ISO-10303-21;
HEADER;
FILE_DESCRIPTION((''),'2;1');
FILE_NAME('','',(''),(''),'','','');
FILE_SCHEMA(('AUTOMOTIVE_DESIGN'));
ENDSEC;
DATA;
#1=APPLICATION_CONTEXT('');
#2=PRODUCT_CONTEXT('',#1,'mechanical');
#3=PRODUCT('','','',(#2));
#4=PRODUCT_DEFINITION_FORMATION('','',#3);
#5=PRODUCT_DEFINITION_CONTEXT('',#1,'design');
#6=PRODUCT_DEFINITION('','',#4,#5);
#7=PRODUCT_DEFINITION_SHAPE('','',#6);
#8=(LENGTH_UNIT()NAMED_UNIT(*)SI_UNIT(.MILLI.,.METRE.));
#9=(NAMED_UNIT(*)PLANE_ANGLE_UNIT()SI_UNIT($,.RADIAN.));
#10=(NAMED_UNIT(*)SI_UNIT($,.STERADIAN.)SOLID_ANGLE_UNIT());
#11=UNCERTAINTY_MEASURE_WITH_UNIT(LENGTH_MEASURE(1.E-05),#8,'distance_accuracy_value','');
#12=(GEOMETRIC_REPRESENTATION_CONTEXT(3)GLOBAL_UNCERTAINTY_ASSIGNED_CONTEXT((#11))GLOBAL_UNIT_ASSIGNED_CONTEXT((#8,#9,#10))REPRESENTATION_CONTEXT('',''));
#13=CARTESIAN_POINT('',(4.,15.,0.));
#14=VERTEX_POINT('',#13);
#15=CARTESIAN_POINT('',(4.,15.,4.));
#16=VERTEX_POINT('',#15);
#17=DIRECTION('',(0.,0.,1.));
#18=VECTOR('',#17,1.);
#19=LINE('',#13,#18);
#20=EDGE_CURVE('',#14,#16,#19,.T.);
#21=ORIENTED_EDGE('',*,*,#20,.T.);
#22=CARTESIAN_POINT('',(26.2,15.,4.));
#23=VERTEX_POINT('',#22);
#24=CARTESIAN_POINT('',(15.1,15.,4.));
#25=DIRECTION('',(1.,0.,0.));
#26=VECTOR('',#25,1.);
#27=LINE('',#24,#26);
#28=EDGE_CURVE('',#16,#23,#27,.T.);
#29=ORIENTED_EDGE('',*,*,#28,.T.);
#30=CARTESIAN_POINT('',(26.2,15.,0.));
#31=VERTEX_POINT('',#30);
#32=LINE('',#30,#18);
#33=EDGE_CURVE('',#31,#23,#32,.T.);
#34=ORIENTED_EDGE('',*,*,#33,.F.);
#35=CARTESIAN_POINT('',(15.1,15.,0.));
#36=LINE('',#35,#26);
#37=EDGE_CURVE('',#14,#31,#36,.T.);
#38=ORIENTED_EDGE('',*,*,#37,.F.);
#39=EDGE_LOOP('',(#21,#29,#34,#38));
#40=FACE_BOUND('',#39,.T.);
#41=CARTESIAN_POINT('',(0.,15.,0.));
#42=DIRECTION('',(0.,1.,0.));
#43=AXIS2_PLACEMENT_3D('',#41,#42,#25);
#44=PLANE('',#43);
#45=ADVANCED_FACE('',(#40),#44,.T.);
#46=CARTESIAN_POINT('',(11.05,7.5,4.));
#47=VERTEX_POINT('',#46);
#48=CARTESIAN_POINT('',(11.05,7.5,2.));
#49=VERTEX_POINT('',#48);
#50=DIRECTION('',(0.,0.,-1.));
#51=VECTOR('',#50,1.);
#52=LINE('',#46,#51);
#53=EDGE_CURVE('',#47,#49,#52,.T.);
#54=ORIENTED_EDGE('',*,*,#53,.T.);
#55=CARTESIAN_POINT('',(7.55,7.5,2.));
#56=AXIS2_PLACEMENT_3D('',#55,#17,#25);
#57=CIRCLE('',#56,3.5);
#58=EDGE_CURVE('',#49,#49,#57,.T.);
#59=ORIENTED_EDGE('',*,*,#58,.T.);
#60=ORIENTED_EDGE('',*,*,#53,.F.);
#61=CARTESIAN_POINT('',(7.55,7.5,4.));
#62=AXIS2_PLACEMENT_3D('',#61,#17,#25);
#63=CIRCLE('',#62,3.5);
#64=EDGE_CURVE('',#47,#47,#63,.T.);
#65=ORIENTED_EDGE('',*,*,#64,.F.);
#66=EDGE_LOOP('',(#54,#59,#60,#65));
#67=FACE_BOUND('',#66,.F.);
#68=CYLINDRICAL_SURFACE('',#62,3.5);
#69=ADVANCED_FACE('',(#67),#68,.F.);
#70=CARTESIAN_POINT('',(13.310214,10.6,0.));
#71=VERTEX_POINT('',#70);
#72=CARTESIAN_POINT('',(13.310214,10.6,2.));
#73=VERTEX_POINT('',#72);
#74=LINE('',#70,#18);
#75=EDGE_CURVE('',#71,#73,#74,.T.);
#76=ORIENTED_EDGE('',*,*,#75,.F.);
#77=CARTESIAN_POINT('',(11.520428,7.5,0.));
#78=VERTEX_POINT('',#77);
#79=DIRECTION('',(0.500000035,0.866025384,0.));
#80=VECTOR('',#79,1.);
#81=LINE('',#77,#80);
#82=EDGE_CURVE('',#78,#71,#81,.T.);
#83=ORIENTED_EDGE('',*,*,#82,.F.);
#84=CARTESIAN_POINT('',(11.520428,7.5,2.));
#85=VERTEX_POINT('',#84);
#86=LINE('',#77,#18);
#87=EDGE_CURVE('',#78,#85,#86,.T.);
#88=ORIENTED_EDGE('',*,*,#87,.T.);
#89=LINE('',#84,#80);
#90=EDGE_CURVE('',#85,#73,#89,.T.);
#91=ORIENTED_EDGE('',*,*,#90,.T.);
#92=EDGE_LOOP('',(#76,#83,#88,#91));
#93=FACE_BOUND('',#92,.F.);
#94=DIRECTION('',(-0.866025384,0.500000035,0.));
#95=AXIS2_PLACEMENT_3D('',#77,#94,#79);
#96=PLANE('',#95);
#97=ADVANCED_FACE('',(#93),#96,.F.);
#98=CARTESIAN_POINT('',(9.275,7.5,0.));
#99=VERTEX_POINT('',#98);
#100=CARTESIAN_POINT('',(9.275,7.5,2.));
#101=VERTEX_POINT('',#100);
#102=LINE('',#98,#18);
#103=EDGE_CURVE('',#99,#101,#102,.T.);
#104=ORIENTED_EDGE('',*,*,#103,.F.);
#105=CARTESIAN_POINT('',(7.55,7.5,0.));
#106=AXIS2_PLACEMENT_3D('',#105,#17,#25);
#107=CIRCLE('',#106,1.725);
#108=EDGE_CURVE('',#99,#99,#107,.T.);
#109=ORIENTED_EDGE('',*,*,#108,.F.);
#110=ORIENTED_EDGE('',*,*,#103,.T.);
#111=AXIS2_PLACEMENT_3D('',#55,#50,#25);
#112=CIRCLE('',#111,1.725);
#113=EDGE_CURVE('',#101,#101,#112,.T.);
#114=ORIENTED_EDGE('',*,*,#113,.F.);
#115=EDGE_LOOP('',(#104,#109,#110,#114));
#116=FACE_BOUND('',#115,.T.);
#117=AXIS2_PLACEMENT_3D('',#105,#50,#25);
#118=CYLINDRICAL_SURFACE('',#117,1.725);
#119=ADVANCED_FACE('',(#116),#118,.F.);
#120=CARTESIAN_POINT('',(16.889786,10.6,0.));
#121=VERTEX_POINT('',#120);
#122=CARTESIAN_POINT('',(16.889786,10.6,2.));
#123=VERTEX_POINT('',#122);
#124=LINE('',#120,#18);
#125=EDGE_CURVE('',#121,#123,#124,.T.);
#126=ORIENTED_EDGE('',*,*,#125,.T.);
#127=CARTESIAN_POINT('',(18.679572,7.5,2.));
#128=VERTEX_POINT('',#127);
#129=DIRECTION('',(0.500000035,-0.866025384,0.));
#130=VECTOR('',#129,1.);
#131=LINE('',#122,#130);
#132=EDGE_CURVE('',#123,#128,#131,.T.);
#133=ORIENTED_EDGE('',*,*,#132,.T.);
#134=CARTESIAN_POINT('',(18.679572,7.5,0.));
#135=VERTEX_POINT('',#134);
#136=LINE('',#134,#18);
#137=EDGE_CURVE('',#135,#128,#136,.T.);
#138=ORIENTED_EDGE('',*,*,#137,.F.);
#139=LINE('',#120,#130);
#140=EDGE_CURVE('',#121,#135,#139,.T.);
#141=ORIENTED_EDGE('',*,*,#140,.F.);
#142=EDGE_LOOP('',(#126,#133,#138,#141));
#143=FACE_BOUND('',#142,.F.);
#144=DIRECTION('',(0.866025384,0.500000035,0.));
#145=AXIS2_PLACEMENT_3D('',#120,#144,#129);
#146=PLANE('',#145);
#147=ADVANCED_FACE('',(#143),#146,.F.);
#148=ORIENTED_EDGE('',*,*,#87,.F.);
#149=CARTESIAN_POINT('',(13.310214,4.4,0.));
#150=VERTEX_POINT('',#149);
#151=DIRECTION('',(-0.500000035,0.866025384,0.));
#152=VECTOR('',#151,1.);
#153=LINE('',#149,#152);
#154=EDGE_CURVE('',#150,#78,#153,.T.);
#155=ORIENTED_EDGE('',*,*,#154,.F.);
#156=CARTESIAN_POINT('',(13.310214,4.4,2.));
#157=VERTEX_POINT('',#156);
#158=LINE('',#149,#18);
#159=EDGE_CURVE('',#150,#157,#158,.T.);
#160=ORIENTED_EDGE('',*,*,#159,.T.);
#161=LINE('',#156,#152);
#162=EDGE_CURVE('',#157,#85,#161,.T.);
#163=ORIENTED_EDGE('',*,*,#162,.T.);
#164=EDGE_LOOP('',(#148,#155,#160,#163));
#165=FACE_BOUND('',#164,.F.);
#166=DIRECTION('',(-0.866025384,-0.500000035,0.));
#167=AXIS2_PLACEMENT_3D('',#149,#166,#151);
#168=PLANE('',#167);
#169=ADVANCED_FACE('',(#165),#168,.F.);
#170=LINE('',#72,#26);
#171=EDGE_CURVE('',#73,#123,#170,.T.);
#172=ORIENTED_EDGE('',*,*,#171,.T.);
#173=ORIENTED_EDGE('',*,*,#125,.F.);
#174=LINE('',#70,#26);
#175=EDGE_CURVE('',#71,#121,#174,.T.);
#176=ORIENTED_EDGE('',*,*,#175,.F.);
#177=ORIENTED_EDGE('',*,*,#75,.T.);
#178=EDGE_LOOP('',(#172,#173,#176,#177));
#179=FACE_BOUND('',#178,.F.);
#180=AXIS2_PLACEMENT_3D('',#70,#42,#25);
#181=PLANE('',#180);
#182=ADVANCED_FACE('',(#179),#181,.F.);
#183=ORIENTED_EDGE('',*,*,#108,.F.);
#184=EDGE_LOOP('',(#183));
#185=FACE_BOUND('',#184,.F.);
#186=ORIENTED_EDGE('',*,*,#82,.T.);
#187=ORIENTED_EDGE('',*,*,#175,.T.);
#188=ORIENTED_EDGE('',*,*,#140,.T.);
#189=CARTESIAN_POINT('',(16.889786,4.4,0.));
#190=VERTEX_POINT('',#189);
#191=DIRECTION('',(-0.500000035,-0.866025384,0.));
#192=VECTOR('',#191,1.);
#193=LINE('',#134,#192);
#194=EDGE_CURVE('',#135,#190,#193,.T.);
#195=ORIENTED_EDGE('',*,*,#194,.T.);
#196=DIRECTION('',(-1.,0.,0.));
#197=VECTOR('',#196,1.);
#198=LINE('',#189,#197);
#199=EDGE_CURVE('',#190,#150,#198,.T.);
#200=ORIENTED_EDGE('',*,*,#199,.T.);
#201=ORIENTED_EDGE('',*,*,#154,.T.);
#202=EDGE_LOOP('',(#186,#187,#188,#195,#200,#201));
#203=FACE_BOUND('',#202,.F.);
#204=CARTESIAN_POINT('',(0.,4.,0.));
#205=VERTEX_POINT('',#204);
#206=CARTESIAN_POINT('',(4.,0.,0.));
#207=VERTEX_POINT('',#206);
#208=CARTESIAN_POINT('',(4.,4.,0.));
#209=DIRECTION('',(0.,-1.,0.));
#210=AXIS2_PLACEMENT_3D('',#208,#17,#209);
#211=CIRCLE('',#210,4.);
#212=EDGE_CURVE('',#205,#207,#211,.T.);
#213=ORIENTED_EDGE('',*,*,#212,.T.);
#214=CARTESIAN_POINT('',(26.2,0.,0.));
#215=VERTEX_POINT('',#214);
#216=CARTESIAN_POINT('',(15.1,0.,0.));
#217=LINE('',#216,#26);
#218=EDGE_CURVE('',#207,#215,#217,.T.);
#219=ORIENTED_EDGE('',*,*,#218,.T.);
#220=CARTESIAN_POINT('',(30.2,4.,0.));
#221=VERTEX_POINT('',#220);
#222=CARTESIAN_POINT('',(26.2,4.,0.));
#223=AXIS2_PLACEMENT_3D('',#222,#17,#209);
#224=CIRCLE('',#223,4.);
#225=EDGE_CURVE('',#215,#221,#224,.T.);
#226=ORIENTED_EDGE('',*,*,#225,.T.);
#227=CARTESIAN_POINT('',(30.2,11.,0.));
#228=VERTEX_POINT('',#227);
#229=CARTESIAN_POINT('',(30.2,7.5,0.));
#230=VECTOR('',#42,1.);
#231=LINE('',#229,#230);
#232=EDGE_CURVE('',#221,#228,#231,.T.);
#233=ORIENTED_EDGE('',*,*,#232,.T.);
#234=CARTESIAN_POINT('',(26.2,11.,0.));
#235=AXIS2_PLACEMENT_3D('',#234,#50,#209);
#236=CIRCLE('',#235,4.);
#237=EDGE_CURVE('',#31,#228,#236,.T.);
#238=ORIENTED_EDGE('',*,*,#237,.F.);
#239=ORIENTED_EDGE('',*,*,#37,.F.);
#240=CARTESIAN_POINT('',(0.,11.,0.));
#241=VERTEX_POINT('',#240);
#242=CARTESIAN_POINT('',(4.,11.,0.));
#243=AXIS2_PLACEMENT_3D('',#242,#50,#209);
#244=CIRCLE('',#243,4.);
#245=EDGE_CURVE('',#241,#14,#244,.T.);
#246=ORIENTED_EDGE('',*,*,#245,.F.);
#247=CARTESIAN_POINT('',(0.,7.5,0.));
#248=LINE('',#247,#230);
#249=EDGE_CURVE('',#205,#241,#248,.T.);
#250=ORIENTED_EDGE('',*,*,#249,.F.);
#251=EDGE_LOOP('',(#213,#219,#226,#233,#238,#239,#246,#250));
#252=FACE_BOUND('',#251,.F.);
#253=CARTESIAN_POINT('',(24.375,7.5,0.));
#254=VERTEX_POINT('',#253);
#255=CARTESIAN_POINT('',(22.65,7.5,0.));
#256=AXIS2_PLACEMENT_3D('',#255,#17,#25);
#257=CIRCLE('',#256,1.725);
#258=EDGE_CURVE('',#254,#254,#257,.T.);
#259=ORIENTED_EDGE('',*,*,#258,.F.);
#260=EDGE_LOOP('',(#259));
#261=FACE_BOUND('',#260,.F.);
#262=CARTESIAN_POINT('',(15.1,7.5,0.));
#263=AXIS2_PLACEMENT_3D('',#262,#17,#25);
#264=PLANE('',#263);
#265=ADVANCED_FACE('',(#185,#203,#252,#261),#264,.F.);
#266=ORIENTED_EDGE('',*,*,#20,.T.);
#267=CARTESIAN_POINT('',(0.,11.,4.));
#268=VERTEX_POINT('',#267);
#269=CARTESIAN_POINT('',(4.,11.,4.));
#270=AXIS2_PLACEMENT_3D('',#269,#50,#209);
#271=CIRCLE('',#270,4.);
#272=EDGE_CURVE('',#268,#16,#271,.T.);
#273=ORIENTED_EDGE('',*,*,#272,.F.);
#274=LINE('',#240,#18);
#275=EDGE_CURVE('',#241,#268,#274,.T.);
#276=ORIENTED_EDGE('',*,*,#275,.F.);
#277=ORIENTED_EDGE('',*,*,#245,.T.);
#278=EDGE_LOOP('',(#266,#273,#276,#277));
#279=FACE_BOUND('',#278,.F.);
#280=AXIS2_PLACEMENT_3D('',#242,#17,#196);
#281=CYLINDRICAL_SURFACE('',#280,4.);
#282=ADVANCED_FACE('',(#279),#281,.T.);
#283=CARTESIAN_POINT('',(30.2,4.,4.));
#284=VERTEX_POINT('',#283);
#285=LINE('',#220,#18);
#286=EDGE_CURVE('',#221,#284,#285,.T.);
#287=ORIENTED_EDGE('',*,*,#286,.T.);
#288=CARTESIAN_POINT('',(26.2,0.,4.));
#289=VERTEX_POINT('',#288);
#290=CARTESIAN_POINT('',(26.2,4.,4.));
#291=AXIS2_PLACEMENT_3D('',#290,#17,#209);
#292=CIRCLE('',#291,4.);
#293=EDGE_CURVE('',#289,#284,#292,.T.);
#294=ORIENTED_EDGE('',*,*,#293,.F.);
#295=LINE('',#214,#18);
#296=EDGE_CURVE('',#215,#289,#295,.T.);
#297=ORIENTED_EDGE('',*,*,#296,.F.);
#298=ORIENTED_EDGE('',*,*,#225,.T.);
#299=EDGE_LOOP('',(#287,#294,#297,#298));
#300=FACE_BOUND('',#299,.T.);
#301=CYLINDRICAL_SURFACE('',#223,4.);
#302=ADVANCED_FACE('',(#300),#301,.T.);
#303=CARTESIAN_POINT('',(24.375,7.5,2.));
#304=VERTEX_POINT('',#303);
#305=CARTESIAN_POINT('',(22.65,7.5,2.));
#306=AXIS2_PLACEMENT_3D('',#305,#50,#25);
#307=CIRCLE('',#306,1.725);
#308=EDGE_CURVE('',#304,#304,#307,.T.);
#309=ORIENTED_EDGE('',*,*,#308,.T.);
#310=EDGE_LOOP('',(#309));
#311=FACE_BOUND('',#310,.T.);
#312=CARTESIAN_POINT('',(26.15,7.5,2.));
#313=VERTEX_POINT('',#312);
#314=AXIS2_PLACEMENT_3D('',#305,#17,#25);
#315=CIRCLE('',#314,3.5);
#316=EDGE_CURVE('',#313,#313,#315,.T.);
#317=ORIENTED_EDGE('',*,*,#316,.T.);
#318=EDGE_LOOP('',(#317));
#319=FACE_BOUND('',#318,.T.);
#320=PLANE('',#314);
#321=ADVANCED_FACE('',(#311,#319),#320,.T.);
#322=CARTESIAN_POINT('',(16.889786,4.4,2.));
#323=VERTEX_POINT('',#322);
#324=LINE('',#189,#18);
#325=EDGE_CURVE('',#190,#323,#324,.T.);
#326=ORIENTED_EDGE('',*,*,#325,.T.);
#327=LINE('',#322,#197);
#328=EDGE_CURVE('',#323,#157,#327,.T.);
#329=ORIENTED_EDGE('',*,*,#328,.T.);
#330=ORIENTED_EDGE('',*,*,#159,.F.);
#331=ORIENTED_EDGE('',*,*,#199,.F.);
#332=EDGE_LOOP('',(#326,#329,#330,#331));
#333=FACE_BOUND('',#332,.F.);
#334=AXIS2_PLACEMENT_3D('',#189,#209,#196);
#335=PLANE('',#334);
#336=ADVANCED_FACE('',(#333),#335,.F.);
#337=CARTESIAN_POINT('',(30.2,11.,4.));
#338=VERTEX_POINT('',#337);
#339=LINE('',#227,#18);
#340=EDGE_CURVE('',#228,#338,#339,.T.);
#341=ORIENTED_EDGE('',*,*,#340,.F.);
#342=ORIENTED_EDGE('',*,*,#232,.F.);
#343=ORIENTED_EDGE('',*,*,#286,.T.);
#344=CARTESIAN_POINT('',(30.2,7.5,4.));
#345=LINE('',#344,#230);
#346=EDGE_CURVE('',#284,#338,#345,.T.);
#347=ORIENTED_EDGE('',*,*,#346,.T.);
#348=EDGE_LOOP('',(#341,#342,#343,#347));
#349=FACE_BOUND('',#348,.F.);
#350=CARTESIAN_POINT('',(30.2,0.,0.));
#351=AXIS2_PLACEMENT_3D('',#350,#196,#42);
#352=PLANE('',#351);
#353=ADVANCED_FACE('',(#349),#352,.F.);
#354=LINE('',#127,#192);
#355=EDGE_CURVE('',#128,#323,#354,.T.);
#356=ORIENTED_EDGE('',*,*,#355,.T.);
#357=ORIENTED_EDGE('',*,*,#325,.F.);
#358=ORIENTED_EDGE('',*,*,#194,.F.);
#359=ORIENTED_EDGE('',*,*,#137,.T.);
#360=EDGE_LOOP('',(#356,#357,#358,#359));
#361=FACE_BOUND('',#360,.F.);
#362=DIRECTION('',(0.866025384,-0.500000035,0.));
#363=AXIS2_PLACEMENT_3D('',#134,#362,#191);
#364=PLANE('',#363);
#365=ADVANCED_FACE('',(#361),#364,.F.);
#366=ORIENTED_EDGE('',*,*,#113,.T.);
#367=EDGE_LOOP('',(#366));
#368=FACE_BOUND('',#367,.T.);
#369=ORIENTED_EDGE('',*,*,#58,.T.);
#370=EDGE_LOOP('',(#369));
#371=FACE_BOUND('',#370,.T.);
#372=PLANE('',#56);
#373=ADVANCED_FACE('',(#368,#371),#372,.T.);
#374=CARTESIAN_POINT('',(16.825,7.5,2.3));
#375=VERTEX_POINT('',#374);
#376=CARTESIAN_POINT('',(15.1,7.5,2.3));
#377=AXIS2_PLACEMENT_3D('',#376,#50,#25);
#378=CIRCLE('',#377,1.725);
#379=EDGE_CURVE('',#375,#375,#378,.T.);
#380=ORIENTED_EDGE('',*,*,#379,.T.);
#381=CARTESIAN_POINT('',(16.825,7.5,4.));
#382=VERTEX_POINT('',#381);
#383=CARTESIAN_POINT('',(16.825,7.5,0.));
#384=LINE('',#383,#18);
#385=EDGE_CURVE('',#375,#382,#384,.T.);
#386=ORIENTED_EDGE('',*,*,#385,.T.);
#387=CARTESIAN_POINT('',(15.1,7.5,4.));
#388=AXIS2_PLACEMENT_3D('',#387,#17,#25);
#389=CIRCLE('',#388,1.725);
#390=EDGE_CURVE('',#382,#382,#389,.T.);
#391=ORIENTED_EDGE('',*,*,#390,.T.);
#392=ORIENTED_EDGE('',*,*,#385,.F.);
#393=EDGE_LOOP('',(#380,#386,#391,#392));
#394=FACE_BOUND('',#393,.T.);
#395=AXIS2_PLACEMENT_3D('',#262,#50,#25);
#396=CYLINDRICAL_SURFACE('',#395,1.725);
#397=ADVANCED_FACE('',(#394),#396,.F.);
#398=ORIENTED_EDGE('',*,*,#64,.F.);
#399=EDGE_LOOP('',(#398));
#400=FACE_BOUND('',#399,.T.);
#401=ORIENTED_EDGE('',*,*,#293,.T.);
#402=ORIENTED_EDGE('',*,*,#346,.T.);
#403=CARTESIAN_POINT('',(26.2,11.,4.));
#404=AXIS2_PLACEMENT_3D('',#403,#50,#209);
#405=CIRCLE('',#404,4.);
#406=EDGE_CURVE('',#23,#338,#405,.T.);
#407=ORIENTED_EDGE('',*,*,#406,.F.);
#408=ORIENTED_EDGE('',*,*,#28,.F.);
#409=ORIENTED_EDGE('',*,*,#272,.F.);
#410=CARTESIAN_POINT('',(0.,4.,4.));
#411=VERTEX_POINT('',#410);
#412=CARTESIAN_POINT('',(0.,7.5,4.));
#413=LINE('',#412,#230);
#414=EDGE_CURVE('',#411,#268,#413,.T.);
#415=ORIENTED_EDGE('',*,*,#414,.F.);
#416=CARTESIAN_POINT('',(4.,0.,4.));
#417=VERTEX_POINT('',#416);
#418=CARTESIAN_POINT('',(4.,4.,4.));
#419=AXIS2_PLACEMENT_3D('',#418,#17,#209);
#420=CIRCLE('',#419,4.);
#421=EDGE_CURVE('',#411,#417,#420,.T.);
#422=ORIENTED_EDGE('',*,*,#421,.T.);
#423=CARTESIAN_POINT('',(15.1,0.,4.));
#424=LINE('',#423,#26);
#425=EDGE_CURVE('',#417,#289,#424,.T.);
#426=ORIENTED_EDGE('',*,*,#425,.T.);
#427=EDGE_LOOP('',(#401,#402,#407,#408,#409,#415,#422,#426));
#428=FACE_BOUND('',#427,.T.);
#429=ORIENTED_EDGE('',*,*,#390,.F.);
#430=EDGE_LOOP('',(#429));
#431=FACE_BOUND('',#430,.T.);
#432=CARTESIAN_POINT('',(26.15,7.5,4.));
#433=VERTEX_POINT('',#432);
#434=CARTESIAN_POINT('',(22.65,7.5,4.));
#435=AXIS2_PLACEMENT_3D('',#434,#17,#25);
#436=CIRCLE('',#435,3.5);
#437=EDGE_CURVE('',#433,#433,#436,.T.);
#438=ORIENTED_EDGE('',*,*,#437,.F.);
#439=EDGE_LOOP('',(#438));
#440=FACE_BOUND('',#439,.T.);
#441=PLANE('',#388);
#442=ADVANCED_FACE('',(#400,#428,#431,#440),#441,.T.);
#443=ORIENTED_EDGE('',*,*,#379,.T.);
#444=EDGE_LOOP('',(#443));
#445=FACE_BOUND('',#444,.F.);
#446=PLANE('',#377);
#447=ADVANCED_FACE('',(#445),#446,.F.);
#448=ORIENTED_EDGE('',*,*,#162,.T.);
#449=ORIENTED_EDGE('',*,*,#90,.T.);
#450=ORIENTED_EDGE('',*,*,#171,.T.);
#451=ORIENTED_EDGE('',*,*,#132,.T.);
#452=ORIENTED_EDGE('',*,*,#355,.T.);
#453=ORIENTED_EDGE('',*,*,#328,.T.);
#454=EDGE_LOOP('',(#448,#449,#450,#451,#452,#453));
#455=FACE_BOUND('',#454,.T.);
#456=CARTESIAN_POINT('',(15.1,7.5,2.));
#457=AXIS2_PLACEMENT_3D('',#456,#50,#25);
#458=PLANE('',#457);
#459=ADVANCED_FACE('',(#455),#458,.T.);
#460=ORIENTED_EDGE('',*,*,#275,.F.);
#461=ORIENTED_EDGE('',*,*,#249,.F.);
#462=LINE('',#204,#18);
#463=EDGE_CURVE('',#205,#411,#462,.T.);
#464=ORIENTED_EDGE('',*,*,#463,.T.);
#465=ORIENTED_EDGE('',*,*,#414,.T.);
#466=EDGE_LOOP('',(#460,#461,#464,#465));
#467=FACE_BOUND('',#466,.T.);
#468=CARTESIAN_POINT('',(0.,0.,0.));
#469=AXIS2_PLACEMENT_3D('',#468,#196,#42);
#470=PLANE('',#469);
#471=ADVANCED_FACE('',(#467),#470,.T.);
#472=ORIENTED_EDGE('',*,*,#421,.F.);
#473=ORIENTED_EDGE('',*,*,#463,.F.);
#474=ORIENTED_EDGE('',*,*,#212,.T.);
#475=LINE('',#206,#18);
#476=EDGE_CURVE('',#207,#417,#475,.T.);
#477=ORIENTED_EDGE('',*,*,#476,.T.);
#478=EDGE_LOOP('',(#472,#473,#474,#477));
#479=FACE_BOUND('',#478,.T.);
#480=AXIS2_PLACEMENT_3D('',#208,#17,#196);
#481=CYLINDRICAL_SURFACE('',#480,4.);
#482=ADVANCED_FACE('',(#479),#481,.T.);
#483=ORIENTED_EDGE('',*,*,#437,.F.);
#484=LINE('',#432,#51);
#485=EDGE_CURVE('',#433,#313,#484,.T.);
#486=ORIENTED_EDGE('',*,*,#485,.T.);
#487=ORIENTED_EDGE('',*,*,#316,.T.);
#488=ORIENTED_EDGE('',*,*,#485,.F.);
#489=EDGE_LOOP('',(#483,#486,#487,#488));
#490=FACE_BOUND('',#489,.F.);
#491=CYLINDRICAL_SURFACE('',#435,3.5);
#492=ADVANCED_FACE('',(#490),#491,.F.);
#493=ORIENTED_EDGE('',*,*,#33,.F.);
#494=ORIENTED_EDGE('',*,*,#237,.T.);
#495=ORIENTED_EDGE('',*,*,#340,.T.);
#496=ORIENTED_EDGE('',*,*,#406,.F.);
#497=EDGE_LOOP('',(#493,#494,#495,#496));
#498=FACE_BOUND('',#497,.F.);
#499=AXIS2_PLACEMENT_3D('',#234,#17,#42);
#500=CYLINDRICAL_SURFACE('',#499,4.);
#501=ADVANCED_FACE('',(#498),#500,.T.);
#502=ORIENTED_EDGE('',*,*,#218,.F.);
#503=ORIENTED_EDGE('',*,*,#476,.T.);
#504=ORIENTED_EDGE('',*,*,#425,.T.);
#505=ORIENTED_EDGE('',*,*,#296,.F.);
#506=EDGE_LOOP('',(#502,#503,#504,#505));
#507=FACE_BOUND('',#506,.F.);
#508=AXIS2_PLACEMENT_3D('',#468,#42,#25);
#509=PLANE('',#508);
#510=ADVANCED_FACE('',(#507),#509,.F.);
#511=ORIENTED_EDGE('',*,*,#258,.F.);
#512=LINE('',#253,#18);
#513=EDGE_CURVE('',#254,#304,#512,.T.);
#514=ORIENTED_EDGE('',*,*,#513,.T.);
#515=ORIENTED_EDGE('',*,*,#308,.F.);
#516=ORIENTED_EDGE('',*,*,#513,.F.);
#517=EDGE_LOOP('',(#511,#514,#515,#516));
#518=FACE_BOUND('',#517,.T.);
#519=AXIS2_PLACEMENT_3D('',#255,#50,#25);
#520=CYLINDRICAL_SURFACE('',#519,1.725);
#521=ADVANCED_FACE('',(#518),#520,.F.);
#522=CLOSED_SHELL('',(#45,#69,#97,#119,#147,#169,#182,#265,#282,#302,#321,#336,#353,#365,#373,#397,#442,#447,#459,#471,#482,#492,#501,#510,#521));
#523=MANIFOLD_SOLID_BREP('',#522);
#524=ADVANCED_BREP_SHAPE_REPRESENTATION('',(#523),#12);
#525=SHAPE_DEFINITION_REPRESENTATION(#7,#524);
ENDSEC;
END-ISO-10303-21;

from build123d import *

# Parameters (mm, degrees)
F0_W     = 30.2
F0_H     = 15
F0_R     = 1.725
F1_DEPTH = 4
F2_R     = 3.5
F3_DEPTH = 2
F5_DEPTH = 2
F6_R     = 1.75
F7_DEPTH = 0.3
F8_R     = 4


with BuildPart() as f1:
    # F0 (on Top) → F1 (new body)
    with BuildSketch(Plane.XY):
        with Locations((15.1, 7.5)):
            Rectangle(F0_W, F0_H)
        with Locations((7.55, 7.5)):
            Circle(F0_R, mode=Mode.SUBTRACT)
        with Locations((15.1, 7.5)):
            Circle(F0_R, mode=Mode.SUBTRACT)
        with Locations((22.65, 7.5)):
            Circle(F0_R, mode=Mode.SUBTRACT)
    extrude(amount=F1_DEPTH)

    # F2 (on face) → F3 (cut)
    with BuildSketch(Plane.XY.offset(4)):
        with Locations((7.55, 7.5)):
            Circle(F2_R)
        with Locations((22.65, 7.5)):
            Circle(F2_R)
    extrude(amount=-F3_DEPTH, mode=Mode.SUBTRACT)

    # F4 (on face) → F5 (cut)
    with BuildSketch(Plane(origin=(0, 0, 0), x_dir=(1, 0, 0), z_dir=(0, 0, -1))):
        Polygon((18.679572, -7.5), (16.889786, -4.4), (13.310214, -4.4), (11.520428, -7.5), (13.310214, -10.6), (16.889786, -10.6), align=None)
    extrude(amount=-F5_DEPTH, mode=Mode.SUBTRACT)

    # F6 (on face) → F7 (join)
    with BuildSketch(Plane(origin=(0, 0, 2), x_dir=(1, 0, 0), z_dir=(0, 0, -1))):
        with Locations((15.1, -7.5)):
            Circle(F6_R)
    extrude(amount=-F7_DEPTH)

    # F8
    f8_edges = [f1.edges().sort_by_distance(p)[0] for p in [
        (0, 0, 2),
        (30.2, 0, 2),
        (30.2, 15, 2),
        (0, 15, 2),
    ]]
    fillet(f8_edges, radius=F8_R)


solid = f1.part
